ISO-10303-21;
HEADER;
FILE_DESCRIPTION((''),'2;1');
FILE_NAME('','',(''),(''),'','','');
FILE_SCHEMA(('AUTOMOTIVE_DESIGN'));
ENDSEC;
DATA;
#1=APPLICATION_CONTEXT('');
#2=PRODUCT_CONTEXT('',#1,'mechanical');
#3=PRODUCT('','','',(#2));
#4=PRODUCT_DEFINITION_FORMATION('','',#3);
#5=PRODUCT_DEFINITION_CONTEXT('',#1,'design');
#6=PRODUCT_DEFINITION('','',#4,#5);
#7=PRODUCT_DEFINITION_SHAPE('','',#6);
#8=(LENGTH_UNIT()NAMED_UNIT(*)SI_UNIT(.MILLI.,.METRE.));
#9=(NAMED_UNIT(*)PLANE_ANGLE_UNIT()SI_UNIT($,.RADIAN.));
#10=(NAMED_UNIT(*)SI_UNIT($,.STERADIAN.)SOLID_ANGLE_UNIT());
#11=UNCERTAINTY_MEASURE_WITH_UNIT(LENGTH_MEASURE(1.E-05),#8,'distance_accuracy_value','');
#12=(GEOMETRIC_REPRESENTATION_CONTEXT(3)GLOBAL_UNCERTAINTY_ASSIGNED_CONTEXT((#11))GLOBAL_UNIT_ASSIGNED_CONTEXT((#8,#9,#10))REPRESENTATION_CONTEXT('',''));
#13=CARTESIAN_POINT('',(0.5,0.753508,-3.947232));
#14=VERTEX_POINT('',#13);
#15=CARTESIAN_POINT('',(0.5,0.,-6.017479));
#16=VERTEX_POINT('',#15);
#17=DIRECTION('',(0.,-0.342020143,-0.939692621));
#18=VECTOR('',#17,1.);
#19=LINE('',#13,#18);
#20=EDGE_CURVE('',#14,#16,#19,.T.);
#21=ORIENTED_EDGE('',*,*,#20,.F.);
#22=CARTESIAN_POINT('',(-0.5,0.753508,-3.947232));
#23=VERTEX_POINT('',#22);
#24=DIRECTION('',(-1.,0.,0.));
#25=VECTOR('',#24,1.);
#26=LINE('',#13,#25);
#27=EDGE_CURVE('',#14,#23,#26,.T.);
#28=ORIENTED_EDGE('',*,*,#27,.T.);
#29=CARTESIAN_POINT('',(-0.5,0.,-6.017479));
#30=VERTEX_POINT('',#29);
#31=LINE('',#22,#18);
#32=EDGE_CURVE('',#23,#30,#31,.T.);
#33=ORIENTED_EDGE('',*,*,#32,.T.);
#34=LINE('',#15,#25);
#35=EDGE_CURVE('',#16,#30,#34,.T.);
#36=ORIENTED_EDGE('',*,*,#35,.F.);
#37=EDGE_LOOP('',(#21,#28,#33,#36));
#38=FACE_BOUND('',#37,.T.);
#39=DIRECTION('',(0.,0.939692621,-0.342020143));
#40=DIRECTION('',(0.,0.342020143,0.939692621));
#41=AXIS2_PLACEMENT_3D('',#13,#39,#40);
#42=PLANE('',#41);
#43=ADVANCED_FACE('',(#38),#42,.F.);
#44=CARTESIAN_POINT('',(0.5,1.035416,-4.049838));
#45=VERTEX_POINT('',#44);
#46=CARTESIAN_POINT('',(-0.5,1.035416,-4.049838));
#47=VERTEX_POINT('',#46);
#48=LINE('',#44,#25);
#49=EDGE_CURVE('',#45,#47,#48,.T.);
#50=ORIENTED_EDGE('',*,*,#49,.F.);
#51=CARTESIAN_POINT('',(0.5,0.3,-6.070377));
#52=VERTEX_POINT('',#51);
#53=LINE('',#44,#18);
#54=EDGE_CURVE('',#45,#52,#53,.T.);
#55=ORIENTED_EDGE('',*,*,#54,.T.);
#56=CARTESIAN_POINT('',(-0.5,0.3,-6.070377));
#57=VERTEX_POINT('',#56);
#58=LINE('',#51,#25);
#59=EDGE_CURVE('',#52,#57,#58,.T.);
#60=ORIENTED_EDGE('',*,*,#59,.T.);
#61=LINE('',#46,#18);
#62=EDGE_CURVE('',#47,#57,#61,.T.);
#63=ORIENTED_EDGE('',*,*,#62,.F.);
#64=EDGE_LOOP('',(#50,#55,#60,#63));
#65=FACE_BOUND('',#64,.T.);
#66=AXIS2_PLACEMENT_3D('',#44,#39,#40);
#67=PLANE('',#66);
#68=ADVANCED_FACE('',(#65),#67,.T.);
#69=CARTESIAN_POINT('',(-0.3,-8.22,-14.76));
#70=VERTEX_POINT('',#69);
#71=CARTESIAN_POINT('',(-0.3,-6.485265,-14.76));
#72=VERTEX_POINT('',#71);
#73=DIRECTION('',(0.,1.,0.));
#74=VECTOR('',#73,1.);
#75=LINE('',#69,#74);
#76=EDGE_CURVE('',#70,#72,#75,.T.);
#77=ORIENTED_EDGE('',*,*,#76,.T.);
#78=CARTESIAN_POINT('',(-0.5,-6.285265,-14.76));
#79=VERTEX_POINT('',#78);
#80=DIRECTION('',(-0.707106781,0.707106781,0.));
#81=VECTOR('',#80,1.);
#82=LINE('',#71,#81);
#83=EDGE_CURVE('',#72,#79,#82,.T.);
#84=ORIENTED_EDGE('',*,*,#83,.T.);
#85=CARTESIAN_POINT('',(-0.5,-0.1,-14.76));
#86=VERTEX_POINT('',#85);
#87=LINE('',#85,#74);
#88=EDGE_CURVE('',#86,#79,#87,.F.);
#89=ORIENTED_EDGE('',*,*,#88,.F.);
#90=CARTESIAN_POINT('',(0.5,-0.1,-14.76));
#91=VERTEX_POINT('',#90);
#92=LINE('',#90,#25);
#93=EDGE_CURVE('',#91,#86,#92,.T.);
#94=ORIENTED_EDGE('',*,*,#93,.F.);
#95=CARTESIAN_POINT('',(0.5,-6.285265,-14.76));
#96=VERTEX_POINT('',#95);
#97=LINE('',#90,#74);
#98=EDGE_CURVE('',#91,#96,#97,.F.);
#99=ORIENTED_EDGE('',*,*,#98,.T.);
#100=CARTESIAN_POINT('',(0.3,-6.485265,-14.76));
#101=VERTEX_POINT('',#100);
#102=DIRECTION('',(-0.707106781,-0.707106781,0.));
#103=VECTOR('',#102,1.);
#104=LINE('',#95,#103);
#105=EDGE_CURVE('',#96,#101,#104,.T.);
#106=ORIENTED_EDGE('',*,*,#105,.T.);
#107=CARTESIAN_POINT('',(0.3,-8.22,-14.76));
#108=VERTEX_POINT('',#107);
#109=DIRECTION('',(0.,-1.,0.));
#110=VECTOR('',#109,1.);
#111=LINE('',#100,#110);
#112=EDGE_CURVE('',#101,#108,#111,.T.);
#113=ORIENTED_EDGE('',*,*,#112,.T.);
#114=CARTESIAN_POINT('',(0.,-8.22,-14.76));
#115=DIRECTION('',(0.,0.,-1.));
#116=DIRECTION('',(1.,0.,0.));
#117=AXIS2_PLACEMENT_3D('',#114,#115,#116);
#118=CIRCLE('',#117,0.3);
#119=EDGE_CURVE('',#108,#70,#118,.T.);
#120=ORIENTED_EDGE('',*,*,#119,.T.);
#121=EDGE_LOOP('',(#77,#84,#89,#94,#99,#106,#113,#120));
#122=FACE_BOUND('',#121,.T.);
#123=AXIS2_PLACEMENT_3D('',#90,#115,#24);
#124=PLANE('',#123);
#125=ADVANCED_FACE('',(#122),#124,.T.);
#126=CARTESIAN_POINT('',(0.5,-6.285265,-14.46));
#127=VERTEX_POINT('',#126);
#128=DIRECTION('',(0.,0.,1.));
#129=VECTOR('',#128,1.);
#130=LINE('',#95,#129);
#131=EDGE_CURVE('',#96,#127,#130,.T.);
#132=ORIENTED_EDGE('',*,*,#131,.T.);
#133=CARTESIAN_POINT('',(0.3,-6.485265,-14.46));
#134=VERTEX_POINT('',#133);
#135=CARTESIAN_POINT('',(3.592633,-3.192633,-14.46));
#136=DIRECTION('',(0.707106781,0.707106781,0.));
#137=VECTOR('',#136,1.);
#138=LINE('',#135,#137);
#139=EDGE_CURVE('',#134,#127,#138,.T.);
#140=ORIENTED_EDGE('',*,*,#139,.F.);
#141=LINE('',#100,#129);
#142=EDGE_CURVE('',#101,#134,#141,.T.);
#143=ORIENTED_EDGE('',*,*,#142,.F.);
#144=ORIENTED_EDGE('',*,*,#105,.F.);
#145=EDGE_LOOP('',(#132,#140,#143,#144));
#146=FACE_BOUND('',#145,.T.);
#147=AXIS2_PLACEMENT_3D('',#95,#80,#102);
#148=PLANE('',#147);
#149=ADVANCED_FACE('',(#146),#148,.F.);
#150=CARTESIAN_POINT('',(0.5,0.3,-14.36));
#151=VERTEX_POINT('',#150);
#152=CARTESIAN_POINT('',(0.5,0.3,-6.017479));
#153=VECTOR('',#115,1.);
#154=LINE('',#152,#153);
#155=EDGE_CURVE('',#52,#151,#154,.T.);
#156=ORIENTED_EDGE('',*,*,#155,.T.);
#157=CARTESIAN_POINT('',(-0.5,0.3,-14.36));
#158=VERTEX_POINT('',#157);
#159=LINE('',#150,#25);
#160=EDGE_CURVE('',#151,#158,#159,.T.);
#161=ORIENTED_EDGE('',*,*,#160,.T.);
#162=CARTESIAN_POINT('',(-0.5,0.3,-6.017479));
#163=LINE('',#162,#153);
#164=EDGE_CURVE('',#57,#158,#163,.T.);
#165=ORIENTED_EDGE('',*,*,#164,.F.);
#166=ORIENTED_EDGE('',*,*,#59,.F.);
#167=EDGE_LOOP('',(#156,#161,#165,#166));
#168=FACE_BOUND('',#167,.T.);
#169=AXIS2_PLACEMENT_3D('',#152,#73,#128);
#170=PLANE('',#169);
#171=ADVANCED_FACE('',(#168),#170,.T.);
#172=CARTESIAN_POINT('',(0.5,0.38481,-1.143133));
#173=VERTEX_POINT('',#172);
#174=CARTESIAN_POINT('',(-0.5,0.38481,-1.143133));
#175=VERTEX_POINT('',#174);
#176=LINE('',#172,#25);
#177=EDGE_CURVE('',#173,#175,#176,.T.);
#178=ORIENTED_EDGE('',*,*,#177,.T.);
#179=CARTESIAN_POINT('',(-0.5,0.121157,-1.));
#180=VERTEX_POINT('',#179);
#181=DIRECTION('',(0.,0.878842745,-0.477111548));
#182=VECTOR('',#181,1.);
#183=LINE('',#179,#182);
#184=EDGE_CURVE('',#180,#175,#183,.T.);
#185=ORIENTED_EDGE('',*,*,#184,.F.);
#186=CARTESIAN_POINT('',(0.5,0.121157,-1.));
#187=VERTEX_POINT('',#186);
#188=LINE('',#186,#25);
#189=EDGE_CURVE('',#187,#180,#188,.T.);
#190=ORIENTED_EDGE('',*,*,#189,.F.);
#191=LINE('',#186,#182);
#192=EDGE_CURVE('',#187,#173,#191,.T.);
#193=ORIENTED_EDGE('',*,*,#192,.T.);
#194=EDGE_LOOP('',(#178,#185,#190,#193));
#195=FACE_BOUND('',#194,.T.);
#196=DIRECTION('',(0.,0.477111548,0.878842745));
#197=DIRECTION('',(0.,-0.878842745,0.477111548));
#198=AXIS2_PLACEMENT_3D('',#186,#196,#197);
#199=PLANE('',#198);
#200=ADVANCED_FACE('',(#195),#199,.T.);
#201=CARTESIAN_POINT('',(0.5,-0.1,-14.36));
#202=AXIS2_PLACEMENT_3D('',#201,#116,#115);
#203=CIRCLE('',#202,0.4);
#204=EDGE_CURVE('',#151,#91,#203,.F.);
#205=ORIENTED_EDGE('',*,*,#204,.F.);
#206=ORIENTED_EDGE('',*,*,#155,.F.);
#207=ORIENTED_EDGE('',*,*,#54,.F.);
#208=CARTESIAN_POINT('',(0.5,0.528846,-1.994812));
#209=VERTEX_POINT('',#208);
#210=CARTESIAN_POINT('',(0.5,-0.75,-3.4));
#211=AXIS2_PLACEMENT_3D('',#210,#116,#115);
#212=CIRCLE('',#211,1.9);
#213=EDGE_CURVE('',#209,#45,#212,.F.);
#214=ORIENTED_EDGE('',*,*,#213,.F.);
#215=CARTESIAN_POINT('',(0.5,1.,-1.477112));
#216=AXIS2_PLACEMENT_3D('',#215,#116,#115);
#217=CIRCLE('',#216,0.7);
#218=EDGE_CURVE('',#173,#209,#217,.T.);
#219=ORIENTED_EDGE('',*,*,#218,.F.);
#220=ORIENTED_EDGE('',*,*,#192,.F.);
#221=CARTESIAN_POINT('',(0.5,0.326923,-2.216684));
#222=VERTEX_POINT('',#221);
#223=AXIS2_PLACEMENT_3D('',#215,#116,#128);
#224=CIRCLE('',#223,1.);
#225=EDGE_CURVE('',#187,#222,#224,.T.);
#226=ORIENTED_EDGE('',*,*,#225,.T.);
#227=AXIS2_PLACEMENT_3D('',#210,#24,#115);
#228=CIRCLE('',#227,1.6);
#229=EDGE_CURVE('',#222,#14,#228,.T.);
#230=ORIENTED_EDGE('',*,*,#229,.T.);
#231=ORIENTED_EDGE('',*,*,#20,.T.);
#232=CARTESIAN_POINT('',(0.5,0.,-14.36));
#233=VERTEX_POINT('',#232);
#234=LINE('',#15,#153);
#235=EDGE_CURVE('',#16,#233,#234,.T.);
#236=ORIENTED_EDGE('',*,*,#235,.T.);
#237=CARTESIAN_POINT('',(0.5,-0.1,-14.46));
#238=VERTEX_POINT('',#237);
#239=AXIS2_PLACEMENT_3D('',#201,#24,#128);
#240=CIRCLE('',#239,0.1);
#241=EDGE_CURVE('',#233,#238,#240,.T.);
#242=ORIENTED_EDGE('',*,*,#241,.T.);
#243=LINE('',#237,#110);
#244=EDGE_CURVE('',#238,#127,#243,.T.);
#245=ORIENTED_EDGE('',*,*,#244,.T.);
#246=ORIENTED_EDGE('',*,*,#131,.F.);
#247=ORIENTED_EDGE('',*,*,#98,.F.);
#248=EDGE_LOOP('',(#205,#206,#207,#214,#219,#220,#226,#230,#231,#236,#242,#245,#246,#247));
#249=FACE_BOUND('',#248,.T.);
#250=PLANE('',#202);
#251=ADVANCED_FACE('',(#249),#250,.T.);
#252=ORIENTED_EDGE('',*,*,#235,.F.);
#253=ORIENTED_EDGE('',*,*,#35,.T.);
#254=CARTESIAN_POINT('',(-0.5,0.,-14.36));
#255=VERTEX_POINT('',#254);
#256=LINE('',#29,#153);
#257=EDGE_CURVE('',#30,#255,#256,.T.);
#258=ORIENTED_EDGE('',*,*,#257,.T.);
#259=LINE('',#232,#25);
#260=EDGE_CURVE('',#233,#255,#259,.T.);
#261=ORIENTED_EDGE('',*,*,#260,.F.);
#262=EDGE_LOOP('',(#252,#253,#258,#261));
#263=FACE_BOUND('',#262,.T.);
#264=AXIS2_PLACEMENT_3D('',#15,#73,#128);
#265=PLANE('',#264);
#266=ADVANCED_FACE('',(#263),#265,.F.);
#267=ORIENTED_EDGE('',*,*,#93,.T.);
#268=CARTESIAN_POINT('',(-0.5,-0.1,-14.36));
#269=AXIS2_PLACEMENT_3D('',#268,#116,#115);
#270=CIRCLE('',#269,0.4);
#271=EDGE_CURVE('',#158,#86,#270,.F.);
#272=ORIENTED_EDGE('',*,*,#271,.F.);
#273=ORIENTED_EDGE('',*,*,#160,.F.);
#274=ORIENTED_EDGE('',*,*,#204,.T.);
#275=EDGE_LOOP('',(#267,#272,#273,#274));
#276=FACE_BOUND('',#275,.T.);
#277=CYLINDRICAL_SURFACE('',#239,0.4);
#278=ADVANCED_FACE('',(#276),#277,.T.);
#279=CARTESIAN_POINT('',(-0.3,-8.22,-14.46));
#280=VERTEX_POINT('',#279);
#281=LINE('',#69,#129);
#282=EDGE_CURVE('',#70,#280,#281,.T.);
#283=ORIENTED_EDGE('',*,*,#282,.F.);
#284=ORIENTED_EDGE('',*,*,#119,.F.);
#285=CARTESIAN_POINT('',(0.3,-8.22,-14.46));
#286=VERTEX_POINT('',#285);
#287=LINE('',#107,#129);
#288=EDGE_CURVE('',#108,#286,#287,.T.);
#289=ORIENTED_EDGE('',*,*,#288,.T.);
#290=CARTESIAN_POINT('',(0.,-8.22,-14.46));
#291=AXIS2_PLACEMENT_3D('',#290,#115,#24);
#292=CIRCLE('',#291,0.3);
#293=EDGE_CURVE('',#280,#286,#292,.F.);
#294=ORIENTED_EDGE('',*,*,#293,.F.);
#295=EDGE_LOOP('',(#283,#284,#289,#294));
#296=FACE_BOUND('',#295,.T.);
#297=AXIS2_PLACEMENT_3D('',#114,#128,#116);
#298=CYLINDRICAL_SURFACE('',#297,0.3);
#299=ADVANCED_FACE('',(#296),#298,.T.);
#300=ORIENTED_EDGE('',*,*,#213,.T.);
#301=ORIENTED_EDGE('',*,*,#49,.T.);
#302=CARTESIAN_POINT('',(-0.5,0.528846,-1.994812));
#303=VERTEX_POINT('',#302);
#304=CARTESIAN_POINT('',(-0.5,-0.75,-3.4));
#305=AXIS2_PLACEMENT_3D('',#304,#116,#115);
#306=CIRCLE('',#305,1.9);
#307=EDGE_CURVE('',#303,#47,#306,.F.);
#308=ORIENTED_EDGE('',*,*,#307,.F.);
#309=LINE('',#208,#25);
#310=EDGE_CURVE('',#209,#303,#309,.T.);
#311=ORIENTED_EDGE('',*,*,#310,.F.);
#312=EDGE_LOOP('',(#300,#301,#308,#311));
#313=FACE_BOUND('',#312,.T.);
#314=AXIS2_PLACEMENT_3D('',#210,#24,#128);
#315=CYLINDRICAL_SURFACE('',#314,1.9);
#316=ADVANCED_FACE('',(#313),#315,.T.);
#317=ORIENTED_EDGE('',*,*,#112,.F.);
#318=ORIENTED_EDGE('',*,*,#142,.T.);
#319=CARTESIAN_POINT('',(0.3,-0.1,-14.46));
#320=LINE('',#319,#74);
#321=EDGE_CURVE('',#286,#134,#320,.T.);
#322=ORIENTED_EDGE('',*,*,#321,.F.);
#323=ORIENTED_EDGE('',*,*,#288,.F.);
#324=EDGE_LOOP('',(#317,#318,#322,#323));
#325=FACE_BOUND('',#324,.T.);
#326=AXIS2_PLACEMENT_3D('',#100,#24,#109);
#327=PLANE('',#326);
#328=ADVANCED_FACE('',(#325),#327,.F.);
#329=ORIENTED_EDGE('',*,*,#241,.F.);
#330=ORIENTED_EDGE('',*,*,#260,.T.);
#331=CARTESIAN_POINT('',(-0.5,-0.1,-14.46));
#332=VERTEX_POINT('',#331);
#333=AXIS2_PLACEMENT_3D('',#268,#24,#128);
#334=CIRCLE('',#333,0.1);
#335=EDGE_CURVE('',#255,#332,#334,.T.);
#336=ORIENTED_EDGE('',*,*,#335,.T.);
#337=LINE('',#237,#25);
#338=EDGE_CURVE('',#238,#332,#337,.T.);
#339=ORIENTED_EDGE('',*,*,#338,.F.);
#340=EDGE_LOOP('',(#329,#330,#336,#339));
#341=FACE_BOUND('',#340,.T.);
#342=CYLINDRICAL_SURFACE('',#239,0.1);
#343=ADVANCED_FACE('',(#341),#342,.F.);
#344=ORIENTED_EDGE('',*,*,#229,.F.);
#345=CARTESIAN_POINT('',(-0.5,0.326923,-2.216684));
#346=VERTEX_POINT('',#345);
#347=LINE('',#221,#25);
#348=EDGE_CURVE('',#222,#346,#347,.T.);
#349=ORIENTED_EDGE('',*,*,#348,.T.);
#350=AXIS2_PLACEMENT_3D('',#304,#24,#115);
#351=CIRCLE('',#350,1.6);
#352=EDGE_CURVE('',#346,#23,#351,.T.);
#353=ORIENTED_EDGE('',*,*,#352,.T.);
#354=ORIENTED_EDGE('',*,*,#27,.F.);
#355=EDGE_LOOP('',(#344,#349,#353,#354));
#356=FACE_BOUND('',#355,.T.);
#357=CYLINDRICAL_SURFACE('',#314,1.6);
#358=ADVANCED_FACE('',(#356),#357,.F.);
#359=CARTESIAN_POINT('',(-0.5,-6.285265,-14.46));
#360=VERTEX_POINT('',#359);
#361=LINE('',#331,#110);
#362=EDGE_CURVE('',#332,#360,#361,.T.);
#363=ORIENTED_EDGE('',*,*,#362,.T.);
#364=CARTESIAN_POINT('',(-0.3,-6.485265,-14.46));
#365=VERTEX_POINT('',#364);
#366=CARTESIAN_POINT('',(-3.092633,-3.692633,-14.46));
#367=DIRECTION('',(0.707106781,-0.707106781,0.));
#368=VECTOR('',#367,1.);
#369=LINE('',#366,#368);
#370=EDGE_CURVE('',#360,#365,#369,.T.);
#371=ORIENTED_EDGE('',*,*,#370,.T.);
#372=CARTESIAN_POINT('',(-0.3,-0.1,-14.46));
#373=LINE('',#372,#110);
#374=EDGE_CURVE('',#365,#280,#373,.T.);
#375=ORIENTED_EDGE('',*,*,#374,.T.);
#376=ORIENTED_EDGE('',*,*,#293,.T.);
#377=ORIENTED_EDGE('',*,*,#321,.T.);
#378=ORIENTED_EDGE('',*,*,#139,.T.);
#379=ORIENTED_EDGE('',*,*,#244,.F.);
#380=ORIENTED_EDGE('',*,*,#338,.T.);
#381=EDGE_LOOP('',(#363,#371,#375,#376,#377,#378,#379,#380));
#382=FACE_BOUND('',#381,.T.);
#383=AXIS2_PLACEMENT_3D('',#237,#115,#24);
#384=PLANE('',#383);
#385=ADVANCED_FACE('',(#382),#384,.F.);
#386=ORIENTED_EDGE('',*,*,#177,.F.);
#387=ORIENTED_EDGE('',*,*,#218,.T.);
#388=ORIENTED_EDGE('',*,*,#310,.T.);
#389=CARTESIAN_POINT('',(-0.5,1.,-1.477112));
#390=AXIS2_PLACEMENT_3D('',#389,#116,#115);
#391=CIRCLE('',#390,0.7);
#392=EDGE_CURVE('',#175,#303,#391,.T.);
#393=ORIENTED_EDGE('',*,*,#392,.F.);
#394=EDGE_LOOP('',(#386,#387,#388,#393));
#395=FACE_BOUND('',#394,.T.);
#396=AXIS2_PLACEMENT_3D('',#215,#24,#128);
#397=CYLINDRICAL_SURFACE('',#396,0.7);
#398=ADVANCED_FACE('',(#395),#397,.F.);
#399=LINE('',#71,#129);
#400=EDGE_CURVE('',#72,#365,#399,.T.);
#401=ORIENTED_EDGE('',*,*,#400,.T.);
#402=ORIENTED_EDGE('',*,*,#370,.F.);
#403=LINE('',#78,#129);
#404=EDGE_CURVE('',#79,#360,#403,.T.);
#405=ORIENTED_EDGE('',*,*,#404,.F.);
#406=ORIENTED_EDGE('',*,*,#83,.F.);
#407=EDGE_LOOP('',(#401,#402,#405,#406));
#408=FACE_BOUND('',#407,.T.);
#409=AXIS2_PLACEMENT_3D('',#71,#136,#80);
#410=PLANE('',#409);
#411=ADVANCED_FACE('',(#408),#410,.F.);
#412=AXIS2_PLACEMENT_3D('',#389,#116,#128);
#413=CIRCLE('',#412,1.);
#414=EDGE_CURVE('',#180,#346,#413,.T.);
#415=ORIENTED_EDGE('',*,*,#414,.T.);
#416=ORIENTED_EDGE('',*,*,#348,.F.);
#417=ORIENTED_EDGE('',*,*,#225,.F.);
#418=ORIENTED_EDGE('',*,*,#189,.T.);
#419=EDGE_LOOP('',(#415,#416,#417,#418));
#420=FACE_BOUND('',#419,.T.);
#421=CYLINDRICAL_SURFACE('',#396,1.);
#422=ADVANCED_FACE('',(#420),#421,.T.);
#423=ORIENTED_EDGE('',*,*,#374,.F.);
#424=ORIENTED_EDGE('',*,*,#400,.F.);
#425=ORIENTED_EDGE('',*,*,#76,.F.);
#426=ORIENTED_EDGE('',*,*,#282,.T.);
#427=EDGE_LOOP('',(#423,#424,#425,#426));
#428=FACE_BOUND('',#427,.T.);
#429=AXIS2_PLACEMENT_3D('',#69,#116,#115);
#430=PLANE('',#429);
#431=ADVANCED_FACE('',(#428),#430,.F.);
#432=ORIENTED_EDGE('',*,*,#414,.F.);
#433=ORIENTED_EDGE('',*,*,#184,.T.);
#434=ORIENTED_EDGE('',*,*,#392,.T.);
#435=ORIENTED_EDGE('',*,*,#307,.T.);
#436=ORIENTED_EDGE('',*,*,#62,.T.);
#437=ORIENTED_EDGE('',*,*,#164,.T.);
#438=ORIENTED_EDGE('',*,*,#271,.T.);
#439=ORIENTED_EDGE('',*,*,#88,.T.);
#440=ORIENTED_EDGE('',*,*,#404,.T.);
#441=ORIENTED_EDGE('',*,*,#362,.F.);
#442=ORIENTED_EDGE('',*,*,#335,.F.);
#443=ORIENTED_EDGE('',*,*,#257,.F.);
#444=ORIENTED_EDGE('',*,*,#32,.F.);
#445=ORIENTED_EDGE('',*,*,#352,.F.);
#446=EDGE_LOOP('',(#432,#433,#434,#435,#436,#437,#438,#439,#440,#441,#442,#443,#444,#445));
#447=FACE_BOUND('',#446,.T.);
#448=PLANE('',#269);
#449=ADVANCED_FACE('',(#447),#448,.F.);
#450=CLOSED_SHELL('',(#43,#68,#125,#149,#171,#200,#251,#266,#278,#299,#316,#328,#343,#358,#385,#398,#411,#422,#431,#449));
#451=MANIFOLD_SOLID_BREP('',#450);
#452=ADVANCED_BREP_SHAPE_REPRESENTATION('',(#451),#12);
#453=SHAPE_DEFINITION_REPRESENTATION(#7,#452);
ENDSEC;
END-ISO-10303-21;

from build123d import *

# Parameters (mm, degrees)
EXTRUDE_THIN1_DEPTH = 0.5
CUT_EXTRUDE1_DEPTH  = 15.76


with BuildPart() as part:
    # Sketch1 → Extrude-Thin1 (new body, symmetric)
    with BuildSketch(Plane(origin=(0, 0, 0), x_dir=(0, 0, -1), z_dir=(1, 0, 0))):
        with BuildLine():
            ThreePointArc((1, 0.121157255), (1.643863846, 0.014001181), (2.216684029, 0.326923077))
            ThreePointArc((2.216684029, 0.326923077), (3.017058298, 0.803497877), (3.947232229, 0.753508193))
            Line((3.947232229, 0.753508193), (6.017478976, 0))
            Line((6.017478976, 0), (14.36, 0))
            ThreePointArc((14.36, 0), (14.430710678, -0.029289322), (14.46, -0.1))
            Line((14.46, -0.1), (14.46, -8.52))
            Line((14.46, -8.52), (14.76, -8.52))
            Line((14.76, -8.52), (14.76, -0.1))
            ThreePointArc((14.76, -0.1), (14.642842712, 0.182842712), (14.36, 0.3))
            Line((14.36, 0.3), (6.07037707, 0.3))
            Line((6.07037707, 0.3), (4.049838272, 1.035415979))
            ThreePointArc((4.049838272, 1.035415979), (2.945256729, 1.094778729), (1.994812285, 0.528846154))
            ThreePointArc((1.994812285, 0.528846154), (1.593838156, 0.309800827), (1.143133464, 0.384810078))
            Line((1.143133464, 0.384810078), (1, 0.121157255))
        make_face()
    extrude(amount=EXTRUDE_THIN1_DEPTH, both=True)

    # Sketch2 → Cut-Extrude1 (cut, through all)
    with BuildSketch(Plane.XY):
        with BuildLine():
            Line((-0.3, -8.22), (-0.3, -6.485265009))
            Line((-0.3, -6.485265009), (-0.5, -6.285265009))
            Line((-0.5, -6.285265009), (-0.5, -9.22))
            Line((-0.5, -9.22), (0.5, -9.22))
            Line((0.5, -9.22), (0.5, -6.285265009))
            Line((0.5, -6.285265009), (0.3, -6.485265009))
            Line((0.3, -6.485265009), (0.3, -8.22))
            ThreePointArc((0.3, -8.22), (0, -8.52), (-0.3, -8.22))
        make_face()
    extrude(amount=-CUT_EXTRUDE1_DEPTH, mode=Mode.SUBTRACT)


solid = part.part
